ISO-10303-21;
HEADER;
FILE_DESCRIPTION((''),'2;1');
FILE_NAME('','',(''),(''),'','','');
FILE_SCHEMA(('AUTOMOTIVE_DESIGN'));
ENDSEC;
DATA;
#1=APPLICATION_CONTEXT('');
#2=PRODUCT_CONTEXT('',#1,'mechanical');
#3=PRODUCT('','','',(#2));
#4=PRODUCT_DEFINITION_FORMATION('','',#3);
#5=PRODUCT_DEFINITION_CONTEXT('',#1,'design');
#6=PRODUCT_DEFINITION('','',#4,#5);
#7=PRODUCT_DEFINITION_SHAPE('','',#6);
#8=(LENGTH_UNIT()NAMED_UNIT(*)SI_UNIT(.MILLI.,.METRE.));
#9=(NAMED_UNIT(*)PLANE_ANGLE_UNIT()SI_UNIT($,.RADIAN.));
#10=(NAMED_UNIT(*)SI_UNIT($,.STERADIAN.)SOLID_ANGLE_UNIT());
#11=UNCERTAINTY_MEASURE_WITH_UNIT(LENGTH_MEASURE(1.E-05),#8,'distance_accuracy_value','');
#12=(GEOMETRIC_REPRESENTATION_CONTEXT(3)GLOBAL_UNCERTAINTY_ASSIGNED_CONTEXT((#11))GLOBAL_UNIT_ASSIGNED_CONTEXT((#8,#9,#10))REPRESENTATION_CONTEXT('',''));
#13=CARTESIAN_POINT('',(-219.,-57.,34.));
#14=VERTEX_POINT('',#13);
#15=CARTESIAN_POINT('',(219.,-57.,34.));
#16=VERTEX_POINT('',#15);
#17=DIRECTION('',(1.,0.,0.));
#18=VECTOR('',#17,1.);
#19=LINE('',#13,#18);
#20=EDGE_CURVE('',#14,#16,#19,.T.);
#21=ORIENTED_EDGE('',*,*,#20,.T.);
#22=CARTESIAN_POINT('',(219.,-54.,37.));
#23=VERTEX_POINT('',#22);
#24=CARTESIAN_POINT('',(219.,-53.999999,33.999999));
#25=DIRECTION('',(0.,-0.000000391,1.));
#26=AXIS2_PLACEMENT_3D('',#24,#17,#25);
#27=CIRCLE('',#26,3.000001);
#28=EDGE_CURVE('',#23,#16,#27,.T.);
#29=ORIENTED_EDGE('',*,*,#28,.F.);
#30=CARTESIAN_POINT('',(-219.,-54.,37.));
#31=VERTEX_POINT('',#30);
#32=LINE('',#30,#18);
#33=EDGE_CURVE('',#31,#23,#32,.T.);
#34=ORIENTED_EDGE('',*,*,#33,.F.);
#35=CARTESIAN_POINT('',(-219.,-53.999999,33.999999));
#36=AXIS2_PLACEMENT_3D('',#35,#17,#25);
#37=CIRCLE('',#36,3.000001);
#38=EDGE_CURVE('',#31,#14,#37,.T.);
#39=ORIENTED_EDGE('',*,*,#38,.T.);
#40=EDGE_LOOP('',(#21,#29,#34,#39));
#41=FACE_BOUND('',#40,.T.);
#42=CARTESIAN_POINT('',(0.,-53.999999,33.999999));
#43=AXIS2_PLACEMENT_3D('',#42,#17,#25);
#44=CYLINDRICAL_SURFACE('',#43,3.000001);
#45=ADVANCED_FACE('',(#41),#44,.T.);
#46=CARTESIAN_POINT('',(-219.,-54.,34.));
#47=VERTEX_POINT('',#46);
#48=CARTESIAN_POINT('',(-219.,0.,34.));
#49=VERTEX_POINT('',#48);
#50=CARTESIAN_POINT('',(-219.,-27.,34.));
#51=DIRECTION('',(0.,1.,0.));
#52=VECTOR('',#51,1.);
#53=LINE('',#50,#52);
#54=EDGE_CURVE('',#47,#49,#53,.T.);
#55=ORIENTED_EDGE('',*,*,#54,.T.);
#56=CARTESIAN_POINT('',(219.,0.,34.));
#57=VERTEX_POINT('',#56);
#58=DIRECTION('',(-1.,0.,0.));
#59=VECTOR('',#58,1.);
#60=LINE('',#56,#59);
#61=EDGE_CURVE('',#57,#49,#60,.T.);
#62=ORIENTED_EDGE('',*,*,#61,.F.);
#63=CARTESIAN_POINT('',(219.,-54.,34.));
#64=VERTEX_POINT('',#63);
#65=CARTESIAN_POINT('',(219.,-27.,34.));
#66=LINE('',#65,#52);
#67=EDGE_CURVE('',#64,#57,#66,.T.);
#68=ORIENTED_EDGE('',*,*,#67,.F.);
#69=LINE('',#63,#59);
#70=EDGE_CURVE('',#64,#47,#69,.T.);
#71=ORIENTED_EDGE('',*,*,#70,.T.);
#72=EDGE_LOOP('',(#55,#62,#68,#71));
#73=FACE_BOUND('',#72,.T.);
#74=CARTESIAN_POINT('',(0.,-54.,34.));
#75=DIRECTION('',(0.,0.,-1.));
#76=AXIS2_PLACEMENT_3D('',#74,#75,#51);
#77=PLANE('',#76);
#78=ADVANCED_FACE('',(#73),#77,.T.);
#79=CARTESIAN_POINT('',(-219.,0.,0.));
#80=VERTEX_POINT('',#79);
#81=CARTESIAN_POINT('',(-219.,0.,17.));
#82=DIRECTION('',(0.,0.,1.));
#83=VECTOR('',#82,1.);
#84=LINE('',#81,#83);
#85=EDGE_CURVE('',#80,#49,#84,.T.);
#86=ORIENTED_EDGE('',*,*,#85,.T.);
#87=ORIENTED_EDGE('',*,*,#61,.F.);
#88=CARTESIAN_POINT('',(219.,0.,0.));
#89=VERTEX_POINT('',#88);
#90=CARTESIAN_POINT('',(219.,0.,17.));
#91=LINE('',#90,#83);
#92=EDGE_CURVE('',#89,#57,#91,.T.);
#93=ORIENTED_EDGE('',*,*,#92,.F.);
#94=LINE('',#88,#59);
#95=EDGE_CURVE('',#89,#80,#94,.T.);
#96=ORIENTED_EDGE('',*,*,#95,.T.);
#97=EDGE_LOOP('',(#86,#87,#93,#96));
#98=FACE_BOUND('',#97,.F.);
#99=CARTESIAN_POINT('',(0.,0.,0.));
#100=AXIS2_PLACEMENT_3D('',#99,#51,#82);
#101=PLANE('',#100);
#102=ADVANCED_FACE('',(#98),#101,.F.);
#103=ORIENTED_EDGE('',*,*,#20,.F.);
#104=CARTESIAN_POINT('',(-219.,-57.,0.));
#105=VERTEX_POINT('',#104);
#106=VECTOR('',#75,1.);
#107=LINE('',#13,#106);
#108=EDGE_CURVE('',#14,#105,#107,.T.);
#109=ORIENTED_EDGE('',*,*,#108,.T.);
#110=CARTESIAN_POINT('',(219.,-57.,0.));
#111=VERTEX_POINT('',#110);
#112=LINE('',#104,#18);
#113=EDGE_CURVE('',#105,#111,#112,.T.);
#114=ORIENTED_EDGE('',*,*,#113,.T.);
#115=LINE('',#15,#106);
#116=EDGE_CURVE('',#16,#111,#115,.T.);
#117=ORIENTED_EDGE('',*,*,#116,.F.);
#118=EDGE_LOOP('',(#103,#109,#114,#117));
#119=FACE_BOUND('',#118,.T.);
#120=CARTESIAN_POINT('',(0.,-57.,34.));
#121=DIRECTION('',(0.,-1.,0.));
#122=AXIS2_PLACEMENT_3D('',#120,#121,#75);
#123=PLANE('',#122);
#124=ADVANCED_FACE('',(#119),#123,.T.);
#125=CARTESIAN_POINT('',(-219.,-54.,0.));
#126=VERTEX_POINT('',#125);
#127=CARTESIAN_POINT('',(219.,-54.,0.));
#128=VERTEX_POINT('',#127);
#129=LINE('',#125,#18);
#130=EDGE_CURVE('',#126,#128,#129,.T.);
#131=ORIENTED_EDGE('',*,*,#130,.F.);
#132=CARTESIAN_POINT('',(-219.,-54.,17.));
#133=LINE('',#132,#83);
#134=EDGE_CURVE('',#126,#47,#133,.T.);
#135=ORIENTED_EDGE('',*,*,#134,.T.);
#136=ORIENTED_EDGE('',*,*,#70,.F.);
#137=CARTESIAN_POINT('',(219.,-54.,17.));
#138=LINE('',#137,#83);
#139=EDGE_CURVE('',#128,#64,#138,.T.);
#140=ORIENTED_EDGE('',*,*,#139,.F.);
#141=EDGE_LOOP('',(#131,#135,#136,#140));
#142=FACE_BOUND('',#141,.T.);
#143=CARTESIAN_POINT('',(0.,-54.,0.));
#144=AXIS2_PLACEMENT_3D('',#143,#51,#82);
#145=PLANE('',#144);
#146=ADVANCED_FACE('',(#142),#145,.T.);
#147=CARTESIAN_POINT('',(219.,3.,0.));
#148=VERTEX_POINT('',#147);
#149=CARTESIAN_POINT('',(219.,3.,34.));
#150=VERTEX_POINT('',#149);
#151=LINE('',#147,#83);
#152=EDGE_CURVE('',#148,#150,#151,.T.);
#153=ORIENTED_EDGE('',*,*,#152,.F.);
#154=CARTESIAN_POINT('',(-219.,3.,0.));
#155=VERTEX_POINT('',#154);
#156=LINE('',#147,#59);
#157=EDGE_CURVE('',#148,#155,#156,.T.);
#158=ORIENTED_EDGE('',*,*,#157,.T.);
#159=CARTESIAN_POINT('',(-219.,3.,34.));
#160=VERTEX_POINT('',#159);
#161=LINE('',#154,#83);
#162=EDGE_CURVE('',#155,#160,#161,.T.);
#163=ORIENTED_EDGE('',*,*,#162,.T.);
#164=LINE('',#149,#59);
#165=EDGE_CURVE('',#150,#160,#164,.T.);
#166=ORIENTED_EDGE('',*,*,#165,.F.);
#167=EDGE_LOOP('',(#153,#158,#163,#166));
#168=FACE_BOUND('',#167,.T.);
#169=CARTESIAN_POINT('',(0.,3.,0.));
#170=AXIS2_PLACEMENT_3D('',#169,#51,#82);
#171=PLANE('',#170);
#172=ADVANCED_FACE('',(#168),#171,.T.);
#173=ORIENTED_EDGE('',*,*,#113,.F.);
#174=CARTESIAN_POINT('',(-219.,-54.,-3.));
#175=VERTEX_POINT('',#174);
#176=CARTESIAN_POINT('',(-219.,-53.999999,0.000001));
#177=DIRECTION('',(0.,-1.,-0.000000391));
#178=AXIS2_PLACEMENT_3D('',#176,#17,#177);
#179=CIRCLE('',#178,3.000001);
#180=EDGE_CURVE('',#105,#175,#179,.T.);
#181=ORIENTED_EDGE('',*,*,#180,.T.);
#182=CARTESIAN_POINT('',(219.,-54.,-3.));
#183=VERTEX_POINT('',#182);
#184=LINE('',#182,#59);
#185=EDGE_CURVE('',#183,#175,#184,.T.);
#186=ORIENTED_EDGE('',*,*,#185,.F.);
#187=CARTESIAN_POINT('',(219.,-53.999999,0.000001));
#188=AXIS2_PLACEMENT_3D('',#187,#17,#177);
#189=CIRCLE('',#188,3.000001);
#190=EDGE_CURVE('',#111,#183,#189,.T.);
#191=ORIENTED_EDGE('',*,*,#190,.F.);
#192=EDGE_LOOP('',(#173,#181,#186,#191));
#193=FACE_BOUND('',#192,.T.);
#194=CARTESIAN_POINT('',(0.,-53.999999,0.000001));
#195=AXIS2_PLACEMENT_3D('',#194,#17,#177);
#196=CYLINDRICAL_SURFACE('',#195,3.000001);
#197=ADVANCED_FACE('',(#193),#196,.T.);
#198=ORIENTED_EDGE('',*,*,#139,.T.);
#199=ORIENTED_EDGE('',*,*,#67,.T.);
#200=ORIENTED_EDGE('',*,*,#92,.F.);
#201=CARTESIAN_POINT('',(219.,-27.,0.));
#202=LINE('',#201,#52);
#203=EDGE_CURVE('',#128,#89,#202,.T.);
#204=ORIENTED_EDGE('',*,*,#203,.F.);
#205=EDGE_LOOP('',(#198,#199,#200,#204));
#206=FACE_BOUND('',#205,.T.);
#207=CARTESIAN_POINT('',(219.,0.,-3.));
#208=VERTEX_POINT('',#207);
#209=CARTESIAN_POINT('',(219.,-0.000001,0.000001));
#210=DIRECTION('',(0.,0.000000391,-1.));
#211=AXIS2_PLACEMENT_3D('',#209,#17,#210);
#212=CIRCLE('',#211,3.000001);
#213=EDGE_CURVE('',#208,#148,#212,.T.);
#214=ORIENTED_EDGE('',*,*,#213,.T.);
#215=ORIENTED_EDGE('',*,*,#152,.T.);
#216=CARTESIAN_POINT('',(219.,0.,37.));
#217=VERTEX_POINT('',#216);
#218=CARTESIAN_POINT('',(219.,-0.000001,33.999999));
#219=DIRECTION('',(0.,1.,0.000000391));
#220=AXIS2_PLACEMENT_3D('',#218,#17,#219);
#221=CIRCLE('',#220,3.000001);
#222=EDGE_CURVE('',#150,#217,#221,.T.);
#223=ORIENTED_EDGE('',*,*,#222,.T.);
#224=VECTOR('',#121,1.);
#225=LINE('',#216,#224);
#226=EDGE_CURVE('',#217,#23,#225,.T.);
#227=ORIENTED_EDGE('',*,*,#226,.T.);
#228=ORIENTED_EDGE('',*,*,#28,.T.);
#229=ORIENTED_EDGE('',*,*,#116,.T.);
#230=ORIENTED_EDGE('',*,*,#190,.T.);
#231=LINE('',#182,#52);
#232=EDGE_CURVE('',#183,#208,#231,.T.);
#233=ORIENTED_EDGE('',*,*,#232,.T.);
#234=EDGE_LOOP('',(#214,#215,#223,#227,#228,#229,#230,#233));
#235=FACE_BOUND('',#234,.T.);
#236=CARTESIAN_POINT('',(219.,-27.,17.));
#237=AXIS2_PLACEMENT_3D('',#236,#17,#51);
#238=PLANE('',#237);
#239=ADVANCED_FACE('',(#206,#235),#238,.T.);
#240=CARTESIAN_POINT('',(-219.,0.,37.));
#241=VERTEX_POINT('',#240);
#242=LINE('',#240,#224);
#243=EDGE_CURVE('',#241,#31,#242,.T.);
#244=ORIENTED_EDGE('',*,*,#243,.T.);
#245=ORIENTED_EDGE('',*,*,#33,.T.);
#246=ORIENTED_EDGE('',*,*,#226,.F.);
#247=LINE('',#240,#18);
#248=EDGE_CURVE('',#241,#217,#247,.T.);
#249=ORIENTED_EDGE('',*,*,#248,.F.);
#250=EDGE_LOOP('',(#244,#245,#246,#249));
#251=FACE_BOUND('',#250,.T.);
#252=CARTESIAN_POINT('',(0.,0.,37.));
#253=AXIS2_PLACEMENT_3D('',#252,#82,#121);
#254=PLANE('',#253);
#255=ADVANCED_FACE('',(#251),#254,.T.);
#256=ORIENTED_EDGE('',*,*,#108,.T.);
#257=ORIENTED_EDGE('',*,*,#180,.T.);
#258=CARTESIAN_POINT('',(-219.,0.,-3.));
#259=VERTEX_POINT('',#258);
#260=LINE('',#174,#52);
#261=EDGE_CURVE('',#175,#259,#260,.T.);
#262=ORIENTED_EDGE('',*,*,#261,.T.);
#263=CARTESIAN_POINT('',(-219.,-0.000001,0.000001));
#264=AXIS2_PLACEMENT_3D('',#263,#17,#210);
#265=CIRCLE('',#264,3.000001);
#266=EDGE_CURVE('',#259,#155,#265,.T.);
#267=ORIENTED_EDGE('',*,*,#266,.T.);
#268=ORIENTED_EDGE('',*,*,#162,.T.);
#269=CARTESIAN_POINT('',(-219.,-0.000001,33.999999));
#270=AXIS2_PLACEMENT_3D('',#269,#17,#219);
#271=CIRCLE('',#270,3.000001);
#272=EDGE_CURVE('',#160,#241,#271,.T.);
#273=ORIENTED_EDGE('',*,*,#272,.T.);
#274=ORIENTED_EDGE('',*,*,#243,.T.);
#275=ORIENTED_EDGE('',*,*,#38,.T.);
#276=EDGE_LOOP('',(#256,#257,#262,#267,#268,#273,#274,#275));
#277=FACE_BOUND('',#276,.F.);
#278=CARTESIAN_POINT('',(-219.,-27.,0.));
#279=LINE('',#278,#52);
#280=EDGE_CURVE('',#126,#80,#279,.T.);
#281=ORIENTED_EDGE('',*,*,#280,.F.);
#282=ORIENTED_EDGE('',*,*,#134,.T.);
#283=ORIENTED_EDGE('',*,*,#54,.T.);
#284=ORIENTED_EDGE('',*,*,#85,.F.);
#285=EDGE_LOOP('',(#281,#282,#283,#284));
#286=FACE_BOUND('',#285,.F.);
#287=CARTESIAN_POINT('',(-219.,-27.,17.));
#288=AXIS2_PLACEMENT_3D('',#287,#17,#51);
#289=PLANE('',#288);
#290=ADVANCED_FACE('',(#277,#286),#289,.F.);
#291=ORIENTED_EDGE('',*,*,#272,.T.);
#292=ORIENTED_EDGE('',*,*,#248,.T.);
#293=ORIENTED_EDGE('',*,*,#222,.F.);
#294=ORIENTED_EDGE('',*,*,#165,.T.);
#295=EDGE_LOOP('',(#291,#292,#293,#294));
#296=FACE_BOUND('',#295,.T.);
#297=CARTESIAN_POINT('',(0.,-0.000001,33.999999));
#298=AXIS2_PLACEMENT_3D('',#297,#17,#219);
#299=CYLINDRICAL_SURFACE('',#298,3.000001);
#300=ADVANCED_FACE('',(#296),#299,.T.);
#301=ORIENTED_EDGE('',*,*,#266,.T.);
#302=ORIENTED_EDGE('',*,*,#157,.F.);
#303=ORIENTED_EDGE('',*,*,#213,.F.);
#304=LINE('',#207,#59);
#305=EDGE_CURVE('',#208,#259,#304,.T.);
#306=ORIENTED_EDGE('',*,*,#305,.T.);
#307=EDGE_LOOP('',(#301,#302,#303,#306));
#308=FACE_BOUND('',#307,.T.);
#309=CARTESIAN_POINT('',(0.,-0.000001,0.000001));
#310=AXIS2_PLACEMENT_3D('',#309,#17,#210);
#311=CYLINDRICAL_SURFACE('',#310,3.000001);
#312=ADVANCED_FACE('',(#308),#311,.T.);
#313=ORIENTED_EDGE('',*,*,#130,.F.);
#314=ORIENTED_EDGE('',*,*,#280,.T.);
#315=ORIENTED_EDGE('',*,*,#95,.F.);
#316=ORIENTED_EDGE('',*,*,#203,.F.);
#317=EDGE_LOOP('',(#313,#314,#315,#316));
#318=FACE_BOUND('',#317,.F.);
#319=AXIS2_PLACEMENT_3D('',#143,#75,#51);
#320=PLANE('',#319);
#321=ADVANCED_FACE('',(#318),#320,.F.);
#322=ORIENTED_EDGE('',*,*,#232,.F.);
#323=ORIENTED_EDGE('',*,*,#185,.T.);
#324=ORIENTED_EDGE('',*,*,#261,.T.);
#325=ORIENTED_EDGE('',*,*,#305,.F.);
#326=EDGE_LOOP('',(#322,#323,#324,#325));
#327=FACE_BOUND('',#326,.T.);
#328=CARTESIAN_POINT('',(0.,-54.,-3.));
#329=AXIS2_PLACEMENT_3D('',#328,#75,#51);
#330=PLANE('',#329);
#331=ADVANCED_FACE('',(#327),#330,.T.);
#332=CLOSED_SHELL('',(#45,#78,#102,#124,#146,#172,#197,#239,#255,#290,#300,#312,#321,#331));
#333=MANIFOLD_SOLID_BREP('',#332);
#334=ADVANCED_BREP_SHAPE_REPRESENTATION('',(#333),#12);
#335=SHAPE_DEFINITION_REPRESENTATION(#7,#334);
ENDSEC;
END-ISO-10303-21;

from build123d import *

# Parameters (mm, degrees)
F0_W     = 54
F0_H     = 34
F1_DEPTH = 219


with BuildPart() as f1:
    # F0 (on Right) → F1 (new body, symmetric)
    with BuildSketch(Plane.YZ):
        with BuildLine():
            ThreePointArc((3, 34), (2.12132, 36.12132), (0, 37))
            Line((0, 37), (-54, 37))
            ThreePointArc((-54, 37), (-56.12132, 36.12132), (-57, 34))
            Line((-57, 34), (-57, 0))
            ThreePointArc((-57, 0), (-56.12132, -2.12132), (-54, -3))
            Line((-54, -3), (0, -3))
            ThreePointArc((0, -3), (2.12132, -2.12132), (3, 0))
            Line((3, 0), (3, 34))
        make_face()
        with Locations((-27, 17)):
            Rectangle(F0_W, F0_H, mode=Mode.SUBTRACT)
    extrude(amount=F1_DEPTH, both=True)


solid = f1.part
